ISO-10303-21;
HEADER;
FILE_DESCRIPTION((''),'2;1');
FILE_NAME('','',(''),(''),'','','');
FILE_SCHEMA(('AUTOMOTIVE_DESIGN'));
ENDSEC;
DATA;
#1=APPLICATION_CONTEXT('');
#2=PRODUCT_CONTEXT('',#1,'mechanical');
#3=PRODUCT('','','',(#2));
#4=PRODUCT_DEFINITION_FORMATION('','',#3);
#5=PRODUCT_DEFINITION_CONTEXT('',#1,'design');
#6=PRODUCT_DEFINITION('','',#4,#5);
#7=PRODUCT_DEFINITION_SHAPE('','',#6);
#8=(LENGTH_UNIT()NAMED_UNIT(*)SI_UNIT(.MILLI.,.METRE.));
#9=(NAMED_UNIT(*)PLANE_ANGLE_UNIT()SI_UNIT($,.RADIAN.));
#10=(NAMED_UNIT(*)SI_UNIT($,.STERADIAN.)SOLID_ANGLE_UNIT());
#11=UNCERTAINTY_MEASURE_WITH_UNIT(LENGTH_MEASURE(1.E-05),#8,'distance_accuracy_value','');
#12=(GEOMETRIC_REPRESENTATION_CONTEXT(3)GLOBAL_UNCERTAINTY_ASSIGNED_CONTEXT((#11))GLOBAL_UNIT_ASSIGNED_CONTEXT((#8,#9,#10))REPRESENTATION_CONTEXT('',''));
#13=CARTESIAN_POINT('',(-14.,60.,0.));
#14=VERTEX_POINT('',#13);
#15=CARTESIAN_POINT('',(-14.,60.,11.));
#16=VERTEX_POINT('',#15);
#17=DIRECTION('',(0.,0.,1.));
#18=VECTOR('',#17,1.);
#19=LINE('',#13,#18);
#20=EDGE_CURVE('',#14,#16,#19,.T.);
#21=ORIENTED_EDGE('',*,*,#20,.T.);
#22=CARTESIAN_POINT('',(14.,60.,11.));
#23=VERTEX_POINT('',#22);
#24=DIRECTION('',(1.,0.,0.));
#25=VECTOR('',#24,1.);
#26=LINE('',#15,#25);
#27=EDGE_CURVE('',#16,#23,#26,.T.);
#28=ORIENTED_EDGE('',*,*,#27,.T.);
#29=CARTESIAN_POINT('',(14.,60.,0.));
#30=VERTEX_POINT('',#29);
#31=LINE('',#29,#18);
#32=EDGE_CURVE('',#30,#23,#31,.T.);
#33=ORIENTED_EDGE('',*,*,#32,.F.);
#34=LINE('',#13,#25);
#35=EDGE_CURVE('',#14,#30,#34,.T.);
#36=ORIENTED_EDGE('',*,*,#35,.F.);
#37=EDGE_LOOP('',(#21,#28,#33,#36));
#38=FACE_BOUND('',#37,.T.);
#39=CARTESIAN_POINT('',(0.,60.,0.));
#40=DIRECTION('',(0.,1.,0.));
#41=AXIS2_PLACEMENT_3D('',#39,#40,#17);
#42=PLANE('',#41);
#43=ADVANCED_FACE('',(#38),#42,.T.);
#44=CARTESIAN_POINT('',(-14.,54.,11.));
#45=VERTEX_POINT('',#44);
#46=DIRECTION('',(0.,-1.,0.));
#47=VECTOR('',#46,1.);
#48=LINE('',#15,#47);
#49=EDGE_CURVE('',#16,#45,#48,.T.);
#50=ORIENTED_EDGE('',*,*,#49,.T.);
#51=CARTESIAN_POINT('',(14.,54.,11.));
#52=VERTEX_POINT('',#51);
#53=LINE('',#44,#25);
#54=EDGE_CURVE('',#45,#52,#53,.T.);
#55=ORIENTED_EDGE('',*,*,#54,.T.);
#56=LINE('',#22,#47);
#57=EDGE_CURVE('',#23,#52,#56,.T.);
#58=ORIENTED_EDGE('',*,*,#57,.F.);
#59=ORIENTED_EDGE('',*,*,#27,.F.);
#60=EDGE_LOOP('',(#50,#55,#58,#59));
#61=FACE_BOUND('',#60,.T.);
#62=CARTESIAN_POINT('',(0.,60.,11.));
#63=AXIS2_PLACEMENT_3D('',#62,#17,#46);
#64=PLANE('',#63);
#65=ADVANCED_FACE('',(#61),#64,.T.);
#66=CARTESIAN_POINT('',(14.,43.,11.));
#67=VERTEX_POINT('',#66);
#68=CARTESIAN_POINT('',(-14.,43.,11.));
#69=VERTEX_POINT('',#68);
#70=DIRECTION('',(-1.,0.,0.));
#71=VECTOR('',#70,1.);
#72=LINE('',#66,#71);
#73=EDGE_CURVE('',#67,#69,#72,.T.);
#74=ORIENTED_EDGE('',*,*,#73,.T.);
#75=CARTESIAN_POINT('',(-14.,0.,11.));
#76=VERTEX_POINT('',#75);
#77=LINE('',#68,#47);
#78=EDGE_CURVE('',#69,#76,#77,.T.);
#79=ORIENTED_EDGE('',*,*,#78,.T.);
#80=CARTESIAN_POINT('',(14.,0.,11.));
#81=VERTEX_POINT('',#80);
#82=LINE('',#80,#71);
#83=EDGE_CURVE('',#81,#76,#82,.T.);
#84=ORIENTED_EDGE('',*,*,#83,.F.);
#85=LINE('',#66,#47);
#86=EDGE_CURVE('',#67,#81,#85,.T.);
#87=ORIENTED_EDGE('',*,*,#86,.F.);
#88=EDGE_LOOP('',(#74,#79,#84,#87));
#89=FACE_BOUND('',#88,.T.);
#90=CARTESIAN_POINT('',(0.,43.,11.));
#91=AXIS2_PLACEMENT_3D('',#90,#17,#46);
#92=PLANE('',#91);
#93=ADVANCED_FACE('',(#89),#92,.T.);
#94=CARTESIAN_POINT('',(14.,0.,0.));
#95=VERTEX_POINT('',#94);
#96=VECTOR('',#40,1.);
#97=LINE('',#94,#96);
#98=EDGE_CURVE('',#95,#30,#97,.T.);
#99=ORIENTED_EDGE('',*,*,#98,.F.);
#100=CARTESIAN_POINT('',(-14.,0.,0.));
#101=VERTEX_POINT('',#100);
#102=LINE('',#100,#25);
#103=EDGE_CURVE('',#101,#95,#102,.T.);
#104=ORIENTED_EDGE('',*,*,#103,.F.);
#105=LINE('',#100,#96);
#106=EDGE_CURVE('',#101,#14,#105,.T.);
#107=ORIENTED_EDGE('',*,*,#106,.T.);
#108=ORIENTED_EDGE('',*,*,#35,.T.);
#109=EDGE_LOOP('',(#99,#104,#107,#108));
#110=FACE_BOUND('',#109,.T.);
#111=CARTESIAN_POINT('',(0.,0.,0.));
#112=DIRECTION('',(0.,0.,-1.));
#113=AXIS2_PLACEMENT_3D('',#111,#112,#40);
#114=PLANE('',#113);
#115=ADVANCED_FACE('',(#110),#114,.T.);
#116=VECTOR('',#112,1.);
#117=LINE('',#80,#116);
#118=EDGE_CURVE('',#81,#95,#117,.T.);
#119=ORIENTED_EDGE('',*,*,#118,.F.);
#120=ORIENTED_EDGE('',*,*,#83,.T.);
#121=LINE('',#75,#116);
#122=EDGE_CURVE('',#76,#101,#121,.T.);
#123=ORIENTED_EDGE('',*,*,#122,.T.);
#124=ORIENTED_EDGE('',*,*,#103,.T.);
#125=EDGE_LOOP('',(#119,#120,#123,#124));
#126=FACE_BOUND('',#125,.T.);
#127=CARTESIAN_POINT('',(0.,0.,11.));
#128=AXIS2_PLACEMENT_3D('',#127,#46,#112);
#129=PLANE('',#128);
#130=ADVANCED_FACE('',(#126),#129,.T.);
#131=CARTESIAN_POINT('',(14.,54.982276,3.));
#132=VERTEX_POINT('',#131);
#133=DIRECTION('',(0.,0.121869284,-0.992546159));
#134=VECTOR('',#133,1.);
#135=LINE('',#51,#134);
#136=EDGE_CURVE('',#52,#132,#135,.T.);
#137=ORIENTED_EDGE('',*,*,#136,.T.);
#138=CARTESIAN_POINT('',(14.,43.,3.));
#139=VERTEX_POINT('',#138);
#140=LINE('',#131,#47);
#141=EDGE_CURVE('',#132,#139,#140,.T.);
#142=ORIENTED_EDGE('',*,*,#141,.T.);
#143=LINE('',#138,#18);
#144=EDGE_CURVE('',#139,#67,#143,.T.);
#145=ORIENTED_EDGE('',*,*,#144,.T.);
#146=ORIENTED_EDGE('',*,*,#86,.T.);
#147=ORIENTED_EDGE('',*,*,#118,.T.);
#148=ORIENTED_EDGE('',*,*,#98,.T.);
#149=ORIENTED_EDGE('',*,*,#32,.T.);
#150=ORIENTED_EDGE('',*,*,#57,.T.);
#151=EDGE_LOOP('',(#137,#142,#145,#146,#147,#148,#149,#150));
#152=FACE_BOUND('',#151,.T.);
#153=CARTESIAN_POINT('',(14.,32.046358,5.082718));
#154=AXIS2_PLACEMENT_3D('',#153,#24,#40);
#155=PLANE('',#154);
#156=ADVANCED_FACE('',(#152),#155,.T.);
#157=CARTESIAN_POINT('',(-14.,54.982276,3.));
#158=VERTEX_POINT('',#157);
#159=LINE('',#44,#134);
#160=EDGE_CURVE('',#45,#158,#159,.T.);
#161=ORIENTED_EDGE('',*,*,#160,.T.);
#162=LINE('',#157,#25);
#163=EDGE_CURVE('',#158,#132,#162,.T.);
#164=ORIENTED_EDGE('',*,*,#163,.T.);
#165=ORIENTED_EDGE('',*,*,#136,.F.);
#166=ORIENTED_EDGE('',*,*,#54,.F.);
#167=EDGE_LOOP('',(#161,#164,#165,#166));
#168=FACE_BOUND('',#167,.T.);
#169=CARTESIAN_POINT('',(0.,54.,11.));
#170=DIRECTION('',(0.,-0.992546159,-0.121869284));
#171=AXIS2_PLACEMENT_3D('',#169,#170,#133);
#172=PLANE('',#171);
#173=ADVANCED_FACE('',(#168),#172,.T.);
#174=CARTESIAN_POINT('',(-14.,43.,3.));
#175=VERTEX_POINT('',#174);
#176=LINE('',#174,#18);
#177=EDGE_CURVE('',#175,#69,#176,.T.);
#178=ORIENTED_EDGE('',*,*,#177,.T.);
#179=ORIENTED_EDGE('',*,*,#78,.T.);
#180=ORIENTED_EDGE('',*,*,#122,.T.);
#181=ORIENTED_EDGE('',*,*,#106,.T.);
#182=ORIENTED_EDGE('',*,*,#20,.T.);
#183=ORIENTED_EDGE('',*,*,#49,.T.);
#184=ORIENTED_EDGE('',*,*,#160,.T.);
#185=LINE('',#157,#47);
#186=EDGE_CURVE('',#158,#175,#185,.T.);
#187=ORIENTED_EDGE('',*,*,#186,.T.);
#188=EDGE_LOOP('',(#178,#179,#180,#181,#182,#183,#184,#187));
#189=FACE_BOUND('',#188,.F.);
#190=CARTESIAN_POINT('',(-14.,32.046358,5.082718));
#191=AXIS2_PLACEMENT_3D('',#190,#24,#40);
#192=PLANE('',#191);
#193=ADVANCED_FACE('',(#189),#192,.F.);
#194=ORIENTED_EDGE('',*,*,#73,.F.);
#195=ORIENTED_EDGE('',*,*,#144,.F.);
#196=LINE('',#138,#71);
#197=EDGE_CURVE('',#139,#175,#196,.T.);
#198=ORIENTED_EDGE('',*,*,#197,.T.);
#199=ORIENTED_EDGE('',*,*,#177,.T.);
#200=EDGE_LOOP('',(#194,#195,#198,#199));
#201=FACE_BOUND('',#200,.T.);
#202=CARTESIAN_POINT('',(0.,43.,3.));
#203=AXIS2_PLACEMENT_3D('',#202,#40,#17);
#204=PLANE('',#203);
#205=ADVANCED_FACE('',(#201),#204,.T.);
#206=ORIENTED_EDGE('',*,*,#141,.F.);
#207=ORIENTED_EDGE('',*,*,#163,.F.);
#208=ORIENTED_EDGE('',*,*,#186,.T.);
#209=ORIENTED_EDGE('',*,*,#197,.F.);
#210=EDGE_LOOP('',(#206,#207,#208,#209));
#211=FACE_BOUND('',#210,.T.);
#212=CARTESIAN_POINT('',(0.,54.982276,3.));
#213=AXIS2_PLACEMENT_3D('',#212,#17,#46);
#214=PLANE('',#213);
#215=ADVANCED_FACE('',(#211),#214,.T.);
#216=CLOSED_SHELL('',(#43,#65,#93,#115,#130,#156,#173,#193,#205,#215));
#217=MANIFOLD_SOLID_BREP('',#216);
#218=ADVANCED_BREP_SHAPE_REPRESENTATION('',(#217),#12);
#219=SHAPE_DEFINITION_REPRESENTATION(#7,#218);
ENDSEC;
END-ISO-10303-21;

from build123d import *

# Parameters (mm, degrees)
PAD_DEPTH = 14


with BuildPart() as part:
    # Sketch → Pad (new body, symmetric)
    with BuildSketch(Plane.YZ):
        Polygon((0, 11), (0, 0), (60, 0), (60, 11), (54, 11), (54.982276, 3), (43, 3), (43, 11), align=None)
    extrude(amount=PAD_DEPTH, both=True)


solid = part.part
